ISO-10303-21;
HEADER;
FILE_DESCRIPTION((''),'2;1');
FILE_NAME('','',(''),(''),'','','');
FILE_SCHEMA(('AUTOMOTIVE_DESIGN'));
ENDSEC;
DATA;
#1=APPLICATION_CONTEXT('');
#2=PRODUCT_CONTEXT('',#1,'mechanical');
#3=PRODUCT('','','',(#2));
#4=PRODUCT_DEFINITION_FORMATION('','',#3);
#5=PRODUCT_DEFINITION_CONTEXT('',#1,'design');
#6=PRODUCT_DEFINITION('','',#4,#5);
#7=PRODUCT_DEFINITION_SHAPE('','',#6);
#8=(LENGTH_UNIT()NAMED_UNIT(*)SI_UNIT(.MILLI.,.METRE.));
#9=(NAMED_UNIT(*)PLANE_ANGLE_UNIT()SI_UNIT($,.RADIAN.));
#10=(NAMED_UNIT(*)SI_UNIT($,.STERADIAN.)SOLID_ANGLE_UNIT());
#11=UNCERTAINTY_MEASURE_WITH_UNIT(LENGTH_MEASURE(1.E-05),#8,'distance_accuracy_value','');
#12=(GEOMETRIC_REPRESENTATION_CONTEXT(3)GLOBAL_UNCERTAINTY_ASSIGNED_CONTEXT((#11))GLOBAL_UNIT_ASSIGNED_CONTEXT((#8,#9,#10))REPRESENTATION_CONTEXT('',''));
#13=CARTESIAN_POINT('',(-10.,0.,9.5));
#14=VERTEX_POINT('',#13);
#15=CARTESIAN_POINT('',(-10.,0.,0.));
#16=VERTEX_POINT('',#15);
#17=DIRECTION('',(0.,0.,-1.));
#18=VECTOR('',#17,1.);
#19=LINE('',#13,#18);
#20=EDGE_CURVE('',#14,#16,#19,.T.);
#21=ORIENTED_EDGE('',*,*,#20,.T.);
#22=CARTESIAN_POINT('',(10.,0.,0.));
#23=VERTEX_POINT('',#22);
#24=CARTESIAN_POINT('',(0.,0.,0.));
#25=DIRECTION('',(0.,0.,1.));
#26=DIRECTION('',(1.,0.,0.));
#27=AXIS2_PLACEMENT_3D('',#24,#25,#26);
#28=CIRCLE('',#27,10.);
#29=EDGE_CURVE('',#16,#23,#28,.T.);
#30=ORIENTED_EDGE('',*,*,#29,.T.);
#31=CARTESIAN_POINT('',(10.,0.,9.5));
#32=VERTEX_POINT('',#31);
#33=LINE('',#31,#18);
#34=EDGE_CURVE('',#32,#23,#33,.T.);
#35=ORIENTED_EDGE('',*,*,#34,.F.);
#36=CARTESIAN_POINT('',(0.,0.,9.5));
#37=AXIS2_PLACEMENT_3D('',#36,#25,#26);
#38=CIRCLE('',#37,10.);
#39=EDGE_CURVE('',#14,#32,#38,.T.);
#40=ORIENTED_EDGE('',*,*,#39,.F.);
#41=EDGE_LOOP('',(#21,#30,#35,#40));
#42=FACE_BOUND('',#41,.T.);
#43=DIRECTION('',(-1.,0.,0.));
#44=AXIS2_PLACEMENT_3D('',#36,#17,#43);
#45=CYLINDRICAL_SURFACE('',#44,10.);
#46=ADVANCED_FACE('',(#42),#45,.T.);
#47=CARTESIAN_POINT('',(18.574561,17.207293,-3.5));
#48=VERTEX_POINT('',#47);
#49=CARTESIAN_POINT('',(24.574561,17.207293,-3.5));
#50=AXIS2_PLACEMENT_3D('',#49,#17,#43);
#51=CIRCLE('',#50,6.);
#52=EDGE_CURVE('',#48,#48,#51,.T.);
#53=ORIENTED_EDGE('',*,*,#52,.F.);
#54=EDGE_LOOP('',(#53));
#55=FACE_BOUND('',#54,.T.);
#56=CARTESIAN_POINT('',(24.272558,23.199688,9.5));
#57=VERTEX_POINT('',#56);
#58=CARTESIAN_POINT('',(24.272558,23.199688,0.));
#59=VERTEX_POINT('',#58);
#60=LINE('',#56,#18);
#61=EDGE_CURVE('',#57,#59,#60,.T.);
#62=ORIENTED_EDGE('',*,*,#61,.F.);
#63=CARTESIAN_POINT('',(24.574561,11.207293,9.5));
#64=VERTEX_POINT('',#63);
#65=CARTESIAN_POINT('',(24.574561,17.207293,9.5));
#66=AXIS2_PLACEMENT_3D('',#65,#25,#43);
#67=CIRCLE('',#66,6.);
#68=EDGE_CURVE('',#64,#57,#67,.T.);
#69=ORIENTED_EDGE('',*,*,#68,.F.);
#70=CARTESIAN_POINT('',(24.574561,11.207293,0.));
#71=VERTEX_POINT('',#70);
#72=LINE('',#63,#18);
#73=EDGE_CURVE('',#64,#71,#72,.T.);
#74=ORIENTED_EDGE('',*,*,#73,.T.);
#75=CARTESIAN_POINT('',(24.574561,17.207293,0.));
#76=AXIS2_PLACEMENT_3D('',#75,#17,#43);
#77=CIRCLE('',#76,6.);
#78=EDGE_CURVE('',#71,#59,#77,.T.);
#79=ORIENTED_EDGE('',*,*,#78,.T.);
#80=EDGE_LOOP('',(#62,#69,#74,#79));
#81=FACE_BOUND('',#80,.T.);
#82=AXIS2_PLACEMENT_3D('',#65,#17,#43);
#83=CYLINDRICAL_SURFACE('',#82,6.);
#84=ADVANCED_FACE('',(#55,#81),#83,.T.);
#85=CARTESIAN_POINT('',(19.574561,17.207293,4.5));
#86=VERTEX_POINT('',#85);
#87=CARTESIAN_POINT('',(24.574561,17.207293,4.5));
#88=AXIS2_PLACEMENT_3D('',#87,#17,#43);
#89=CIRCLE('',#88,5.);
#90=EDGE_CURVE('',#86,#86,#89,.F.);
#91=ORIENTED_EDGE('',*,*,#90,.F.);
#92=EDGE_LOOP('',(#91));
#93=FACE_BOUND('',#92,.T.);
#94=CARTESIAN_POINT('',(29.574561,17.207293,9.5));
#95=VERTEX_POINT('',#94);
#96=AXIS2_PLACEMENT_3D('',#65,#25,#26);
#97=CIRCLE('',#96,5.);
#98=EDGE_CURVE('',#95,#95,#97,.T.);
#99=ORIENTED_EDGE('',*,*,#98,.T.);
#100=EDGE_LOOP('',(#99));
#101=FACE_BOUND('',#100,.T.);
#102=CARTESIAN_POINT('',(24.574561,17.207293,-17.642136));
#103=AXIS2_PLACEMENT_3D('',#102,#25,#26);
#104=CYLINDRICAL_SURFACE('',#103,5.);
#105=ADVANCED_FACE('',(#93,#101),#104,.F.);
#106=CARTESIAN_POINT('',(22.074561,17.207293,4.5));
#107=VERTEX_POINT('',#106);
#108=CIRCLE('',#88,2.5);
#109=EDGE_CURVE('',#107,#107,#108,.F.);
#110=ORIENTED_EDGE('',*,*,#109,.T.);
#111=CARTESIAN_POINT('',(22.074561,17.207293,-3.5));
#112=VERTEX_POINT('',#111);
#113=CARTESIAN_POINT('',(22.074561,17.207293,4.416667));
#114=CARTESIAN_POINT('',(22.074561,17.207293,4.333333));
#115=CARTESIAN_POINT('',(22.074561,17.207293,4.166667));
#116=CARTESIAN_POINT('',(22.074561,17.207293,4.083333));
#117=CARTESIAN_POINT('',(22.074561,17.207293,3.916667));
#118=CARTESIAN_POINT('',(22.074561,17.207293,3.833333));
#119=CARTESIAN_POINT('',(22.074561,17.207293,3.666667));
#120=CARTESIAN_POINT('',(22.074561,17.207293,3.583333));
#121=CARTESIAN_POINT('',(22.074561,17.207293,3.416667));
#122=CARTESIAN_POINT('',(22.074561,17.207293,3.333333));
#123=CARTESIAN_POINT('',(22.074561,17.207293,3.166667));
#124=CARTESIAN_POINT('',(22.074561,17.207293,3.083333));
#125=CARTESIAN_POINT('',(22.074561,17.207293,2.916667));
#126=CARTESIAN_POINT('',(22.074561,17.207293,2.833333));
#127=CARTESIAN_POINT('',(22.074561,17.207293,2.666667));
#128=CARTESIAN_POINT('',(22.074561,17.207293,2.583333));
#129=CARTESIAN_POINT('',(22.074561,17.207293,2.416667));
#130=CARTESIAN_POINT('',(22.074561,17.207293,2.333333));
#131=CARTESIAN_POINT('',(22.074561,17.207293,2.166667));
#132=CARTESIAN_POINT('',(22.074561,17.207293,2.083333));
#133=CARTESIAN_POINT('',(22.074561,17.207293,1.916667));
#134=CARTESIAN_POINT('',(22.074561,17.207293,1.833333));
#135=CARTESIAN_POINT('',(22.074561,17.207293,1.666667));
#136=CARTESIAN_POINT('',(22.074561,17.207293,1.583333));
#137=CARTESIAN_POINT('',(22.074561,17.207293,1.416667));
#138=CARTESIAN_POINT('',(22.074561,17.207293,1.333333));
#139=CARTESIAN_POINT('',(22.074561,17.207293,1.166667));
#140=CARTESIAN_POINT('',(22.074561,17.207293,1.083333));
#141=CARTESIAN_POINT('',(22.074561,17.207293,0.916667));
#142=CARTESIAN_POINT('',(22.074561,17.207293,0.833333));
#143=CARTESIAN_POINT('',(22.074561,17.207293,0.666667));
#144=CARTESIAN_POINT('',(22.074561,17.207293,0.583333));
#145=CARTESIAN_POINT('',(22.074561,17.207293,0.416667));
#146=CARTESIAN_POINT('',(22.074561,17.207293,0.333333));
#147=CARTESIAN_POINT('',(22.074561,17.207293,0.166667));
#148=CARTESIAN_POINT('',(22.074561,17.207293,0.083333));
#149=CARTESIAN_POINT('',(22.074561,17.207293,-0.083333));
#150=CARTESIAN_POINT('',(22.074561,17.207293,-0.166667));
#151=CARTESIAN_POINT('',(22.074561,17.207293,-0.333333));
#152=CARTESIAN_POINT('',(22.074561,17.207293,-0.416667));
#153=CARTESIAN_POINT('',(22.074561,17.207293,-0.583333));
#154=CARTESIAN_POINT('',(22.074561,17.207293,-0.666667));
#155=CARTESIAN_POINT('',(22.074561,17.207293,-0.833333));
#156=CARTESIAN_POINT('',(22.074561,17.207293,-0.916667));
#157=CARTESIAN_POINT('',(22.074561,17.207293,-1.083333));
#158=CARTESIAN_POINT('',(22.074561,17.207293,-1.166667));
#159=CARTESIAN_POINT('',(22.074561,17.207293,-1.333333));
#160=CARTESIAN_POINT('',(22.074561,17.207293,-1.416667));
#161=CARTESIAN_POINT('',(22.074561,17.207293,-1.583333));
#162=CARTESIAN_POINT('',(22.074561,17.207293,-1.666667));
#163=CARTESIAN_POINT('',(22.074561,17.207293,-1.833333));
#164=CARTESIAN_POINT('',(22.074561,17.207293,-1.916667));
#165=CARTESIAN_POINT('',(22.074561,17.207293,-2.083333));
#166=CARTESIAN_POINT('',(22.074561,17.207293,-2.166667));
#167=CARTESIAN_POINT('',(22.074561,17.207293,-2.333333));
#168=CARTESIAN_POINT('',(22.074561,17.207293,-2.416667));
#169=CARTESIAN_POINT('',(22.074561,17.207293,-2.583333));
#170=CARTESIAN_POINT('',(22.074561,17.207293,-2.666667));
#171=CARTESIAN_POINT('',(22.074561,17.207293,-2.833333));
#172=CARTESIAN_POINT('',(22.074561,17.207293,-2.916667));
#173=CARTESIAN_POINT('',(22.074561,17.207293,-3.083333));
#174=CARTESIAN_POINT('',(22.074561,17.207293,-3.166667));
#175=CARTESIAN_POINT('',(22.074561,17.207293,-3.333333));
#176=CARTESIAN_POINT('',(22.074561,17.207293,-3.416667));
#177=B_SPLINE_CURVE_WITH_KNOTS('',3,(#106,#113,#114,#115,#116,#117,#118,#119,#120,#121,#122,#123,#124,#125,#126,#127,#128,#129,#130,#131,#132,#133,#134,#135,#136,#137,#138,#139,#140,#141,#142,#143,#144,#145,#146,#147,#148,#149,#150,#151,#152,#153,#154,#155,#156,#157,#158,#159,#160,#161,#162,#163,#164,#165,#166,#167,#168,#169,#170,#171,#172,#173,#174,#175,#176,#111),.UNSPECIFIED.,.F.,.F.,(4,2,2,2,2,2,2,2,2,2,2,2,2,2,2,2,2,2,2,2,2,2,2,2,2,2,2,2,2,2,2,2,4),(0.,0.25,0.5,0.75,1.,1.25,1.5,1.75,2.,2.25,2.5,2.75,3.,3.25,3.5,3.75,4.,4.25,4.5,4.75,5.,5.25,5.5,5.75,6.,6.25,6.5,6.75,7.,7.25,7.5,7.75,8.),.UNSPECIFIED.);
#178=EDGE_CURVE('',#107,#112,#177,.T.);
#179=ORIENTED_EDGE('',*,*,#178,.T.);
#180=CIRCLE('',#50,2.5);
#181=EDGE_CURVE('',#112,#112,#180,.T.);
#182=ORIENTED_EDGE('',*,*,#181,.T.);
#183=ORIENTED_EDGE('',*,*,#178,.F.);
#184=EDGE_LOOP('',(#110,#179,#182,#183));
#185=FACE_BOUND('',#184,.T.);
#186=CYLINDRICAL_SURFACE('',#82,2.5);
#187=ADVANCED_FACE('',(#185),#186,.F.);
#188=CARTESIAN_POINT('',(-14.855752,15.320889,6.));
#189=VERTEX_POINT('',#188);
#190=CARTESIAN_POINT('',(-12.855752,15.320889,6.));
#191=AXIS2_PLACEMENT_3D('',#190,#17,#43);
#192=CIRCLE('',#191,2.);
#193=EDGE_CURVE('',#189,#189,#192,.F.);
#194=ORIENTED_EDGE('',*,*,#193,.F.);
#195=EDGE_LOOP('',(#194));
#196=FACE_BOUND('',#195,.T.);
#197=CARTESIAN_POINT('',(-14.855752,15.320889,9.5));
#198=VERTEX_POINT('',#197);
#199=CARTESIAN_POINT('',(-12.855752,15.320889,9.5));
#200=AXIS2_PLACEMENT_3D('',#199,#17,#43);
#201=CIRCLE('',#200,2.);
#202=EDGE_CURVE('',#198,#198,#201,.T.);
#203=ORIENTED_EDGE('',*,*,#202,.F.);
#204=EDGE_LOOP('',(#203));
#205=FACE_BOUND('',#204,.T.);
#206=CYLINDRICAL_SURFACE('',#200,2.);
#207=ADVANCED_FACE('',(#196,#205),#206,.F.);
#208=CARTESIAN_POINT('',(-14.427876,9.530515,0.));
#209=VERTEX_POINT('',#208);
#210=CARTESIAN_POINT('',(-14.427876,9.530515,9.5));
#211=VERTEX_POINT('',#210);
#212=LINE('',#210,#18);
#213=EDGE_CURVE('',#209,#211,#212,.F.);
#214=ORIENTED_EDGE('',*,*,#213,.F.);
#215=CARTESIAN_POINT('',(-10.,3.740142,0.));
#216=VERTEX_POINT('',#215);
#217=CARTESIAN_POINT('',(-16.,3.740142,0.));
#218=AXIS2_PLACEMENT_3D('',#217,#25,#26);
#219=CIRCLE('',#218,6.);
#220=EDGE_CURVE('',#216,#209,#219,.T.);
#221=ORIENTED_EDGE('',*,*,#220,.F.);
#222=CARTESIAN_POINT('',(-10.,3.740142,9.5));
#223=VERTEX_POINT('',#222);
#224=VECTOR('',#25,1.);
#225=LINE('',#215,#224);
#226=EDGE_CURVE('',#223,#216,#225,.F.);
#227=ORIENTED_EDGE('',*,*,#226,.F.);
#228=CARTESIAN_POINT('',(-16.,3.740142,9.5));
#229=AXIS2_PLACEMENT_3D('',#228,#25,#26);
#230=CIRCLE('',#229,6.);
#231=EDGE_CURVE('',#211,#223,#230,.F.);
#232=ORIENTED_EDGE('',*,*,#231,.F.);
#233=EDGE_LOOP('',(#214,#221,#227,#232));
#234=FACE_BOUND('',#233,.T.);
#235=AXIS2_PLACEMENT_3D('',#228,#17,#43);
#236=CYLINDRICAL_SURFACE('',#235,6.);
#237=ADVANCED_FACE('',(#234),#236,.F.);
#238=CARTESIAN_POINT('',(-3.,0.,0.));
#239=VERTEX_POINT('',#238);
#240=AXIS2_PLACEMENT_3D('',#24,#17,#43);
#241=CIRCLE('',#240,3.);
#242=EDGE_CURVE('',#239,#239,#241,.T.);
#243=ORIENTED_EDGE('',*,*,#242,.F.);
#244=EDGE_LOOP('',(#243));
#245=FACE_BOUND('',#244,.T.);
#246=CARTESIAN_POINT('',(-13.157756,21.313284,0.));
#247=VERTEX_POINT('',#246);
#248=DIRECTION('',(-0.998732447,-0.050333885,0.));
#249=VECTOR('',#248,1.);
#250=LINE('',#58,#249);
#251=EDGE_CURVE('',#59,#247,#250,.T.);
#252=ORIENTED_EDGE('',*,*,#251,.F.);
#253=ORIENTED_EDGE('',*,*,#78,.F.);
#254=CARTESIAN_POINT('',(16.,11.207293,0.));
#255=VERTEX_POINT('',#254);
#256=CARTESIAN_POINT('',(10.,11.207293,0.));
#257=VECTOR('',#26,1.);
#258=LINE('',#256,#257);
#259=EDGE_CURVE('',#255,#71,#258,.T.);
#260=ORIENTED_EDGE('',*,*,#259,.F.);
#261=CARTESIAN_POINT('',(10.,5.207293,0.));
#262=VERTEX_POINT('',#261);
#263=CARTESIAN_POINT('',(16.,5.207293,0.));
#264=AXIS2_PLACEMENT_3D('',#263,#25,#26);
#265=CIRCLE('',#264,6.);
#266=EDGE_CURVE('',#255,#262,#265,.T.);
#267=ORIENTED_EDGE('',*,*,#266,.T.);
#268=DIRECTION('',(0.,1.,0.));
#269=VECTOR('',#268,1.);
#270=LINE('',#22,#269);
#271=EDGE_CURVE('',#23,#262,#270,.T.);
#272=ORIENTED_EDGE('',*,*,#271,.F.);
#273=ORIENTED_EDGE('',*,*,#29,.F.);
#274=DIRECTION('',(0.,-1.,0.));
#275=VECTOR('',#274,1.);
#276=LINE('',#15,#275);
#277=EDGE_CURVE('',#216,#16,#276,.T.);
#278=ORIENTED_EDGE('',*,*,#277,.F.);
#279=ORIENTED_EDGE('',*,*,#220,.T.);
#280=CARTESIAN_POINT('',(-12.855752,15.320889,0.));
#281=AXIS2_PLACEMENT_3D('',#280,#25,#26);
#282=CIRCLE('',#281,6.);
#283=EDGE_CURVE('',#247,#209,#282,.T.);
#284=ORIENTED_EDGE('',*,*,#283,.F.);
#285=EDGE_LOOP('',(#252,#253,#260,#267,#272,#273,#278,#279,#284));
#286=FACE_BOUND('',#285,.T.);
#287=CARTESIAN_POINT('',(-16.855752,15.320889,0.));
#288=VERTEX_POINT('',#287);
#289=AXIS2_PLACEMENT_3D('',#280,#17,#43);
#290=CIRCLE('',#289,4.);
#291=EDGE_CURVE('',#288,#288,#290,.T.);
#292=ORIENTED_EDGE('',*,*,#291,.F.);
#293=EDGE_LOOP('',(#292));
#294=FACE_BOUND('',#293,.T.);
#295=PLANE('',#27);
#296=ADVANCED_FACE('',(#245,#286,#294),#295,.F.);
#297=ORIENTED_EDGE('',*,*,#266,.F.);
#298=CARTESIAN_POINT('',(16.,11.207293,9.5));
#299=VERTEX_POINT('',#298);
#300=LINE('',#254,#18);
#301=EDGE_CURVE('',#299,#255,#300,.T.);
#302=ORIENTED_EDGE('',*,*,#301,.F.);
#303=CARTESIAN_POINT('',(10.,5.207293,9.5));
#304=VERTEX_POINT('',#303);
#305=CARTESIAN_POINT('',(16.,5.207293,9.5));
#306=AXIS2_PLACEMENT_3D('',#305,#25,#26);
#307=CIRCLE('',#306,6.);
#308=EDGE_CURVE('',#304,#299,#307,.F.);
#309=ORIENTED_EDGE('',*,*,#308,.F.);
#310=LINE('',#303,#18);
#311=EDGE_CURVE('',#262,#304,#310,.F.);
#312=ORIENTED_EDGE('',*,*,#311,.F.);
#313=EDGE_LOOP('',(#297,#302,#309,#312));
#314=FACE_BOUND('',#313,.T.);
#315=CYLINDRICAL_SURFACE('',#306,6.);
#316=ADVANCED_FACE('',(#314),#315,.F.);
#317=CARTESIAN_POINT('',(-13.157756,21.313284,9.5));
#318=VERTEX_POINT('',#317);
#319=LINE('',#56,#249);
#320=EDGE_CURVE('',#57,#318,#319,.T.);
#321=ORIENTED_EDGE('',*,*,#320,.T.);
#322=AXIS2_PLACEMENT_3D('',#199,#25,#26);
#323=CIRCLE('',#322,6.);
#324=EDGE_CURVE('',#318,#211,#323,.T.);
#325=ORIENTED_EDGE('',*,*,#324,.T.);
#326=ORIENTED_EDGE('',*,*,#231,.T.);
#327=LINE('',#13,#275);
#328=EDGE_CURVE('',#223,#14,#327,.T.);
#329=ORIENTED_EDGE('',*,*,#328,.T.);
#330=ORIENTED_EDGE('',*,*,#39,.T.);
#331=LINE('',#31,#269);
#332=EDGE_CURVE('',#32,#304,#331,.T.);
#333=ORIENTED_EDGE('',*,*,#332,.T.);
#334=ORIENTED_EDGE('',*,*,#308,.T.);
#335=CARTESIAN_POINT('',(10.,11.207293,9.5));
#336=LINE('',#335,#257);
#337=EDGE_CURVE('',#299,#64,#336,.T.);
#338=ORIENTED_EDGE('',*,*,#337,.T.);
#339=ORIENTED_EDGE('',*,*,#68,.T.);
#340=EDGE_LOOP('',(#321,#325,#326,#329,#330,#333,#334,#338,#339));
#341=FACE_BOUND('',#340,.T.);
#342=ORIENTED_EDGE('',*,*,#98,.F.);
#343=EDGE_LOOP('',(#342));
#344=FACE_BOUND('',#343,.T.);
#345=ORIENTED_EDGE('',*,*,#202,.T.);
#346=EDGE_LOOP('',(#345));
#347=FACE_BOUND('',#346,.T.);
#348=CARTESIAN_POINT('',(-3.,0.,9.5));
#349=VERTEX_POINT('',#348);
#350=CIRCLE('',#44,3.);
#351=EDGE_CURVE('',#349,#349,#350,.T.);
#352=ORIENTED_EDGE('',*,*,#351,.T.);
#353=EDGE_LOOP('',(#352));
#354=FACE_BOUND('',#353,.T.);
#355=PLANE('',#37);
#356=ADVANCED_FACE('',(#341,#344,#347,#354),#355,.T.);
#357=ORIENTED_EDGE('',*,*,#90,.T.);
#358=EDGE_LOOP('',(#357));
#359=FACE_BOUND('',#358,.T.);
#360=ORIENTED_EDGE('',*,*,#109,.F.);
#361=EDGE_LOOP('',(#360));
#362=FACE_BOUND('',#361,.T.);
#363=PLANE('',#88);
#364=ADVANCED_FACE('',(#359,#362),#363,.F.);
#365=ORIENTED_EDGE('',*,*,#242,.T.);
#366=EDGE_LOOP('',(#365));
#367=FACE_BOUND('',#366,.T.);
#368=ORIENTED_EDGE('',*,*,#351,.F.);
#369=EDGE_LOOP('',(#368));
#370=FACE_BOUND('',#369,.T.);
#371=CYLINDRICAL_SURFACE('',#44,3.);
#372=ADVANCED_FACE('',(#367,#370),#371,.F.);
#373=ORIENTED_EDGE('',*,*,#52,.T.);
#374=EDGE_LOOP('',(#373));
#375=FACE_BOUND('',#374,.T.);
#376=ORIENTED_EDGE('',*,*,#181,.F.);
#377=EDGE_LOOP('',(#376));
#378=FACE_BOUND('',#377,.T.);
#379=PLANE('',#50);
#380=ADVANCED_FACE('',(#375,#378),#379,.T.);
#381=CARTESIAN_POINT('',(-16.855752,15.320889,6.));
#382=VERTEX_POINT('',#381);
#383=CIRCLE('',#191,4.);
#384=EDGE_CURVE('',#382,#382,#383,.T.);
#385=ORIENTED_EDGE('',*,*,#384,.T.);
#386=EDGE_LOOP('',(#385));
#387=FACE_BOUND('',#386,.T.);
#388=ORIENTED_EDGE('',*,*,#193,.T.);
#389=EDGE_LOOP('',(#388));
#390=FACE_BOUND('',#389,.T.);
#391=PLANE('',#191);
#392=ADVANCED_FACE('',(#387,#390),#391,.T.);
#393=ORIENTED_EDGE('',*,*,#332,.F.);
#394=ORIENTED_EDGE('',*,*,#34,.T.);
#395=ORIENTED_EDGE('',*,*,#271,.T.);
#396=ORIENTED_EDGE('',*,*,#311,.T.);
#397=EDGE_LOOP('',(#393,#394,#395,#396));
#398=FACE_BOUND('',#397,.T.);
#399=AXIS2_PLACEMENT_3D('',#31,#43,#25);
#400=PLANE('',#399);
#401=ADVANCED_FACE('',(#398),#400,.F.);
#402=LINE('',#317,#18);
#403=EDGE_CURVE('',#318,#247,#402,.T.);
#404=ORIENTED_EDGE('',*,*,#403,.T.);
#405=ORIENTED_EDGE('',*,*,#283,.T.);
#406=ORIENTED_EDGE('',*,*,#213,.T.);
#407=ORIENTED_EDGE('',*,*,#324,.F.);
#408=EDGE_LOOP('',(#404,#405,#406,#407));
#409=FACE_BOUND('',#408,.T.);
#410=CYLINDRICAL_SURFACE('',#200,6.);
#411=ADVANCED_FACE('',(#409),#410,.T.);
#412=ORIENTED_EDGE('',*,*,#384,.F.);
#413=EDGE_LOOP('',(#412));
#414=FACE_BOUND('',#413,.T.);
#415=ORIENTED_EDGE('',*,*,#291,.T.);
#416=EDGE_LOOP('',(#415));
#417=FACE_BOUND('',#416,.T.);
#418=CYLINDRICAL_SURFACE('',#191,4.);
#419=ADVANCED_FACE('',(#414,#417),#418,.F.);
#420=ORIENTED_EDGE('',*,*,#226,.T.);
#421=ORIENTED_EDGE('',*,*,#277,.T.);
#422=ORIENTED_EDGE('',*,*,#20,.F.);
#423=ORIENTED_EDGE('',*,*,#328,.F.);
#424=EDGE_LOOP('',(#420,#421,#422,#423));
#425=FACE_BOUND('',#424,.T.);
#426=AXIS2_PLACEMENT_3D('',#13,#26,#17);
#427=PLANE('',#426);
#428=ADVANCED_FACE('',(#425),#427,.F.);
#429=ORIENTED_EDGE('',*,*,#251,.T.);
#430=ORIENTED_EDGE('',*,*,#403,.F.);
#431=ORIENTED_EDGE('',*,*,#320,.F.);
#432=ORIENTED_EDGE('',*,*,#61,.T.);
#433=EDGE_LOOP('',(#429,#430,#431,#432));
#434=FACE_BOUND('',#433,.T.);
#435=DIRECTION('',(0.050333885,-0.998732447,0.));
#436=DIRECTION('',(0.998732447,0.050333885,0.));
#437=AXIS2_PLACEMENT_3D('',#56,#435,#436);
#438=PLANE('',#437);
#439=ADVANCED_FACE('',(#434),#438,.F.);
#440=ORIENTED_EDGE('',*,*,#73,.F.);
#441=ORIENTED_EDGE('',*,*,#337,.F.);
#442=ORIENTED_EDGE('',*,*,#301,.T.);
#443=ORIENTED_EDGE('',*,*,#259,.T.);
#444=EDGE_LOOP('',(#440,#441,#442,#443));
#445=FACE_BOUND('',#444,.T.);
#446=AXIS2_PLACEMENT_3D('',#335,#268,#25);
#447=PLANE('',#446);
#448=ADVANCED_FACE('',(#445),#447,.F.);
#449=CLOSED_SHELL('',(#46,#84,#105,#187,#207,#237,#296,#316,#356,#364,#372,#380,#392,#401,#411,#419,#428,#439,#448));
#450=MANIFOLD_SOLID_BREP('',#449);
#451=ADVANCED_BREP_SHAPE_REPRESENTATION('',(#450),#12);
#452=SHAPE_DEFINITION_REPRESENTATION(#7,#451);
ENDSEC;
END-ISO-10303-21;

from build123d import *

# Parameters (mm, degrees)
EXTRUDE_1_DEPTH     = 9.5
SKETCH_2_R          = 3
CUT_EXTRUDE_1_DEPTH = 40.542790152
EXTRUDE_START       = 3.5
SKETCH_3_R          = 6
EXTRUDE_2_DEPTH     = 3.5
SKETCH_4_R          = 2.5
CUT_EXTRUDE_2_DEPTH = 41.526315562
SKETCH_5_R          = 5
CUT_EXTRUDE_3_DEPTH = 5
SKETCH_6_R          = 2
CUT_EXTRUDE_4_DEPTH = 40.542790152
SKETCH_8_R          = 4
CUT_EXTRUDE_5_DEPTH = 6
FILLET_1_R          = 6


with BuildPart() as part:
    # 草图1 → 凸台-拉伸1 (new body)
    with BuildSketch(Plane.XY):
        with BuildLine():
            Line((-10, 0), (-10, 9.320888862))
            Line((-10, 9.320888862), (-12.855752194, 9.320888862))
            ThreePointArc((-12.855752194, 9.320888862), (-18.853850562, 15.169839333), (-13.157755506, 21.313283542))
            Line((-13.157755506, 21.313283542), (24.272558016, 23.19968777))
            ThreePointArc((24.272558016, 23.19968777), (30.572659697, 17.35834262), (24.574561329, 11.207293091))
            Line((24.574561329, 11.207293091), (10, 11.207293091))
            Line((10, 11.207293091), (10, 0))
            ThreePointArc((10, 0), (0, -10), (-10, 0))
        make_face()
    extrude(amount=EXTRUDE_1_DEPTH)

    # 草图2 → 切除-拉伸1 (cut, through all)
    with BuildSketch(Plane(origin=(0, 0, 0), x_dir=(-1, 0, 0), z_dir=(0, 0, -1))):
        Circle(SKETCH_2_R)
    extrude(amount=-CUT_EXTRUDE_1_DEPTH, mode=Mode.SUBTRACT)

    # 草图3 → 凸台-拉伸2 (add)
    with BuildSketch(Plane(origin=(0, 0, 0), x_dir=(-1, 0, 0), z_dir=(0, 0, -1)).offset(EXTRUDE_START)):
        with Locations((-24.574561329, 17.207293091)):
            Circle(SKETCH_3_R)
    extrude(amount=-EXTRUDE_2_DEPTH)

    # 草图4 → 切除-拉伸2 (cut, through all)
    with BuildSketch(Plane(origin=(0, 0, -3.5), x_dir=(-1, 0, 0), z_dir=(0, 0, -1))):
        with Locations((-24.574561329, 17.207293091)):
            Circle(SKETCH_4_R)
    extrude(amount=-CUT_EXTRUDE_2_DEPTH, mode=Mode.SUBTRACT)

    # 草图5 → 切除-拉伸3 (cut)
    with BuildSketch(Plane.XY.offset(9.5)):
        with Locations((24.574561329, 17.207293091)):
            Circle(SKETCH_5_R)
    extrude(amount=-CUT_EXTRUDE_3_DEPTH, mode=Mode.SUBTRACT)

    # 草图6 → 切除-拉伸4 (cut, through all)
    with BuildSketch(Plane(origin=(0, 0, 0), x_dir=(-1, 0, 0), z_dir=(0, 0, -1))):
        with Locations((12.855752194, 15.320888862)):
            Circle(SKETCH_6_R)
    extrude(amount=-CUT_EXTRUDE_4_DEPTH, mode=Mode.SUBTRACT)

    # 草图8 → 切除-拉伸5 (cut)
    with BuildSketch(Plane(origin=(0, 0, 0), x_dir=(-1, 0, 0), z_dir=(0, 0, -1))):
        with Locations((12.855752194, 15.320888862)):
            Circle(SKETCH_8_R)
    extrude(amount=-CUT_EXTRUDE_5_DEPTH, mode=Mode.SUBTRACT)

    # 圆角1
    fillet_1_edges = [part.edges().sort_by_distance(p)[0] for p in [
        (-10, 9.320888862, 4.75),
        (10, 11.207293091, 4.75),
    ]]
    fillet(fillet_1_edges, radius=FILLET_1_R)


solid = part.part
